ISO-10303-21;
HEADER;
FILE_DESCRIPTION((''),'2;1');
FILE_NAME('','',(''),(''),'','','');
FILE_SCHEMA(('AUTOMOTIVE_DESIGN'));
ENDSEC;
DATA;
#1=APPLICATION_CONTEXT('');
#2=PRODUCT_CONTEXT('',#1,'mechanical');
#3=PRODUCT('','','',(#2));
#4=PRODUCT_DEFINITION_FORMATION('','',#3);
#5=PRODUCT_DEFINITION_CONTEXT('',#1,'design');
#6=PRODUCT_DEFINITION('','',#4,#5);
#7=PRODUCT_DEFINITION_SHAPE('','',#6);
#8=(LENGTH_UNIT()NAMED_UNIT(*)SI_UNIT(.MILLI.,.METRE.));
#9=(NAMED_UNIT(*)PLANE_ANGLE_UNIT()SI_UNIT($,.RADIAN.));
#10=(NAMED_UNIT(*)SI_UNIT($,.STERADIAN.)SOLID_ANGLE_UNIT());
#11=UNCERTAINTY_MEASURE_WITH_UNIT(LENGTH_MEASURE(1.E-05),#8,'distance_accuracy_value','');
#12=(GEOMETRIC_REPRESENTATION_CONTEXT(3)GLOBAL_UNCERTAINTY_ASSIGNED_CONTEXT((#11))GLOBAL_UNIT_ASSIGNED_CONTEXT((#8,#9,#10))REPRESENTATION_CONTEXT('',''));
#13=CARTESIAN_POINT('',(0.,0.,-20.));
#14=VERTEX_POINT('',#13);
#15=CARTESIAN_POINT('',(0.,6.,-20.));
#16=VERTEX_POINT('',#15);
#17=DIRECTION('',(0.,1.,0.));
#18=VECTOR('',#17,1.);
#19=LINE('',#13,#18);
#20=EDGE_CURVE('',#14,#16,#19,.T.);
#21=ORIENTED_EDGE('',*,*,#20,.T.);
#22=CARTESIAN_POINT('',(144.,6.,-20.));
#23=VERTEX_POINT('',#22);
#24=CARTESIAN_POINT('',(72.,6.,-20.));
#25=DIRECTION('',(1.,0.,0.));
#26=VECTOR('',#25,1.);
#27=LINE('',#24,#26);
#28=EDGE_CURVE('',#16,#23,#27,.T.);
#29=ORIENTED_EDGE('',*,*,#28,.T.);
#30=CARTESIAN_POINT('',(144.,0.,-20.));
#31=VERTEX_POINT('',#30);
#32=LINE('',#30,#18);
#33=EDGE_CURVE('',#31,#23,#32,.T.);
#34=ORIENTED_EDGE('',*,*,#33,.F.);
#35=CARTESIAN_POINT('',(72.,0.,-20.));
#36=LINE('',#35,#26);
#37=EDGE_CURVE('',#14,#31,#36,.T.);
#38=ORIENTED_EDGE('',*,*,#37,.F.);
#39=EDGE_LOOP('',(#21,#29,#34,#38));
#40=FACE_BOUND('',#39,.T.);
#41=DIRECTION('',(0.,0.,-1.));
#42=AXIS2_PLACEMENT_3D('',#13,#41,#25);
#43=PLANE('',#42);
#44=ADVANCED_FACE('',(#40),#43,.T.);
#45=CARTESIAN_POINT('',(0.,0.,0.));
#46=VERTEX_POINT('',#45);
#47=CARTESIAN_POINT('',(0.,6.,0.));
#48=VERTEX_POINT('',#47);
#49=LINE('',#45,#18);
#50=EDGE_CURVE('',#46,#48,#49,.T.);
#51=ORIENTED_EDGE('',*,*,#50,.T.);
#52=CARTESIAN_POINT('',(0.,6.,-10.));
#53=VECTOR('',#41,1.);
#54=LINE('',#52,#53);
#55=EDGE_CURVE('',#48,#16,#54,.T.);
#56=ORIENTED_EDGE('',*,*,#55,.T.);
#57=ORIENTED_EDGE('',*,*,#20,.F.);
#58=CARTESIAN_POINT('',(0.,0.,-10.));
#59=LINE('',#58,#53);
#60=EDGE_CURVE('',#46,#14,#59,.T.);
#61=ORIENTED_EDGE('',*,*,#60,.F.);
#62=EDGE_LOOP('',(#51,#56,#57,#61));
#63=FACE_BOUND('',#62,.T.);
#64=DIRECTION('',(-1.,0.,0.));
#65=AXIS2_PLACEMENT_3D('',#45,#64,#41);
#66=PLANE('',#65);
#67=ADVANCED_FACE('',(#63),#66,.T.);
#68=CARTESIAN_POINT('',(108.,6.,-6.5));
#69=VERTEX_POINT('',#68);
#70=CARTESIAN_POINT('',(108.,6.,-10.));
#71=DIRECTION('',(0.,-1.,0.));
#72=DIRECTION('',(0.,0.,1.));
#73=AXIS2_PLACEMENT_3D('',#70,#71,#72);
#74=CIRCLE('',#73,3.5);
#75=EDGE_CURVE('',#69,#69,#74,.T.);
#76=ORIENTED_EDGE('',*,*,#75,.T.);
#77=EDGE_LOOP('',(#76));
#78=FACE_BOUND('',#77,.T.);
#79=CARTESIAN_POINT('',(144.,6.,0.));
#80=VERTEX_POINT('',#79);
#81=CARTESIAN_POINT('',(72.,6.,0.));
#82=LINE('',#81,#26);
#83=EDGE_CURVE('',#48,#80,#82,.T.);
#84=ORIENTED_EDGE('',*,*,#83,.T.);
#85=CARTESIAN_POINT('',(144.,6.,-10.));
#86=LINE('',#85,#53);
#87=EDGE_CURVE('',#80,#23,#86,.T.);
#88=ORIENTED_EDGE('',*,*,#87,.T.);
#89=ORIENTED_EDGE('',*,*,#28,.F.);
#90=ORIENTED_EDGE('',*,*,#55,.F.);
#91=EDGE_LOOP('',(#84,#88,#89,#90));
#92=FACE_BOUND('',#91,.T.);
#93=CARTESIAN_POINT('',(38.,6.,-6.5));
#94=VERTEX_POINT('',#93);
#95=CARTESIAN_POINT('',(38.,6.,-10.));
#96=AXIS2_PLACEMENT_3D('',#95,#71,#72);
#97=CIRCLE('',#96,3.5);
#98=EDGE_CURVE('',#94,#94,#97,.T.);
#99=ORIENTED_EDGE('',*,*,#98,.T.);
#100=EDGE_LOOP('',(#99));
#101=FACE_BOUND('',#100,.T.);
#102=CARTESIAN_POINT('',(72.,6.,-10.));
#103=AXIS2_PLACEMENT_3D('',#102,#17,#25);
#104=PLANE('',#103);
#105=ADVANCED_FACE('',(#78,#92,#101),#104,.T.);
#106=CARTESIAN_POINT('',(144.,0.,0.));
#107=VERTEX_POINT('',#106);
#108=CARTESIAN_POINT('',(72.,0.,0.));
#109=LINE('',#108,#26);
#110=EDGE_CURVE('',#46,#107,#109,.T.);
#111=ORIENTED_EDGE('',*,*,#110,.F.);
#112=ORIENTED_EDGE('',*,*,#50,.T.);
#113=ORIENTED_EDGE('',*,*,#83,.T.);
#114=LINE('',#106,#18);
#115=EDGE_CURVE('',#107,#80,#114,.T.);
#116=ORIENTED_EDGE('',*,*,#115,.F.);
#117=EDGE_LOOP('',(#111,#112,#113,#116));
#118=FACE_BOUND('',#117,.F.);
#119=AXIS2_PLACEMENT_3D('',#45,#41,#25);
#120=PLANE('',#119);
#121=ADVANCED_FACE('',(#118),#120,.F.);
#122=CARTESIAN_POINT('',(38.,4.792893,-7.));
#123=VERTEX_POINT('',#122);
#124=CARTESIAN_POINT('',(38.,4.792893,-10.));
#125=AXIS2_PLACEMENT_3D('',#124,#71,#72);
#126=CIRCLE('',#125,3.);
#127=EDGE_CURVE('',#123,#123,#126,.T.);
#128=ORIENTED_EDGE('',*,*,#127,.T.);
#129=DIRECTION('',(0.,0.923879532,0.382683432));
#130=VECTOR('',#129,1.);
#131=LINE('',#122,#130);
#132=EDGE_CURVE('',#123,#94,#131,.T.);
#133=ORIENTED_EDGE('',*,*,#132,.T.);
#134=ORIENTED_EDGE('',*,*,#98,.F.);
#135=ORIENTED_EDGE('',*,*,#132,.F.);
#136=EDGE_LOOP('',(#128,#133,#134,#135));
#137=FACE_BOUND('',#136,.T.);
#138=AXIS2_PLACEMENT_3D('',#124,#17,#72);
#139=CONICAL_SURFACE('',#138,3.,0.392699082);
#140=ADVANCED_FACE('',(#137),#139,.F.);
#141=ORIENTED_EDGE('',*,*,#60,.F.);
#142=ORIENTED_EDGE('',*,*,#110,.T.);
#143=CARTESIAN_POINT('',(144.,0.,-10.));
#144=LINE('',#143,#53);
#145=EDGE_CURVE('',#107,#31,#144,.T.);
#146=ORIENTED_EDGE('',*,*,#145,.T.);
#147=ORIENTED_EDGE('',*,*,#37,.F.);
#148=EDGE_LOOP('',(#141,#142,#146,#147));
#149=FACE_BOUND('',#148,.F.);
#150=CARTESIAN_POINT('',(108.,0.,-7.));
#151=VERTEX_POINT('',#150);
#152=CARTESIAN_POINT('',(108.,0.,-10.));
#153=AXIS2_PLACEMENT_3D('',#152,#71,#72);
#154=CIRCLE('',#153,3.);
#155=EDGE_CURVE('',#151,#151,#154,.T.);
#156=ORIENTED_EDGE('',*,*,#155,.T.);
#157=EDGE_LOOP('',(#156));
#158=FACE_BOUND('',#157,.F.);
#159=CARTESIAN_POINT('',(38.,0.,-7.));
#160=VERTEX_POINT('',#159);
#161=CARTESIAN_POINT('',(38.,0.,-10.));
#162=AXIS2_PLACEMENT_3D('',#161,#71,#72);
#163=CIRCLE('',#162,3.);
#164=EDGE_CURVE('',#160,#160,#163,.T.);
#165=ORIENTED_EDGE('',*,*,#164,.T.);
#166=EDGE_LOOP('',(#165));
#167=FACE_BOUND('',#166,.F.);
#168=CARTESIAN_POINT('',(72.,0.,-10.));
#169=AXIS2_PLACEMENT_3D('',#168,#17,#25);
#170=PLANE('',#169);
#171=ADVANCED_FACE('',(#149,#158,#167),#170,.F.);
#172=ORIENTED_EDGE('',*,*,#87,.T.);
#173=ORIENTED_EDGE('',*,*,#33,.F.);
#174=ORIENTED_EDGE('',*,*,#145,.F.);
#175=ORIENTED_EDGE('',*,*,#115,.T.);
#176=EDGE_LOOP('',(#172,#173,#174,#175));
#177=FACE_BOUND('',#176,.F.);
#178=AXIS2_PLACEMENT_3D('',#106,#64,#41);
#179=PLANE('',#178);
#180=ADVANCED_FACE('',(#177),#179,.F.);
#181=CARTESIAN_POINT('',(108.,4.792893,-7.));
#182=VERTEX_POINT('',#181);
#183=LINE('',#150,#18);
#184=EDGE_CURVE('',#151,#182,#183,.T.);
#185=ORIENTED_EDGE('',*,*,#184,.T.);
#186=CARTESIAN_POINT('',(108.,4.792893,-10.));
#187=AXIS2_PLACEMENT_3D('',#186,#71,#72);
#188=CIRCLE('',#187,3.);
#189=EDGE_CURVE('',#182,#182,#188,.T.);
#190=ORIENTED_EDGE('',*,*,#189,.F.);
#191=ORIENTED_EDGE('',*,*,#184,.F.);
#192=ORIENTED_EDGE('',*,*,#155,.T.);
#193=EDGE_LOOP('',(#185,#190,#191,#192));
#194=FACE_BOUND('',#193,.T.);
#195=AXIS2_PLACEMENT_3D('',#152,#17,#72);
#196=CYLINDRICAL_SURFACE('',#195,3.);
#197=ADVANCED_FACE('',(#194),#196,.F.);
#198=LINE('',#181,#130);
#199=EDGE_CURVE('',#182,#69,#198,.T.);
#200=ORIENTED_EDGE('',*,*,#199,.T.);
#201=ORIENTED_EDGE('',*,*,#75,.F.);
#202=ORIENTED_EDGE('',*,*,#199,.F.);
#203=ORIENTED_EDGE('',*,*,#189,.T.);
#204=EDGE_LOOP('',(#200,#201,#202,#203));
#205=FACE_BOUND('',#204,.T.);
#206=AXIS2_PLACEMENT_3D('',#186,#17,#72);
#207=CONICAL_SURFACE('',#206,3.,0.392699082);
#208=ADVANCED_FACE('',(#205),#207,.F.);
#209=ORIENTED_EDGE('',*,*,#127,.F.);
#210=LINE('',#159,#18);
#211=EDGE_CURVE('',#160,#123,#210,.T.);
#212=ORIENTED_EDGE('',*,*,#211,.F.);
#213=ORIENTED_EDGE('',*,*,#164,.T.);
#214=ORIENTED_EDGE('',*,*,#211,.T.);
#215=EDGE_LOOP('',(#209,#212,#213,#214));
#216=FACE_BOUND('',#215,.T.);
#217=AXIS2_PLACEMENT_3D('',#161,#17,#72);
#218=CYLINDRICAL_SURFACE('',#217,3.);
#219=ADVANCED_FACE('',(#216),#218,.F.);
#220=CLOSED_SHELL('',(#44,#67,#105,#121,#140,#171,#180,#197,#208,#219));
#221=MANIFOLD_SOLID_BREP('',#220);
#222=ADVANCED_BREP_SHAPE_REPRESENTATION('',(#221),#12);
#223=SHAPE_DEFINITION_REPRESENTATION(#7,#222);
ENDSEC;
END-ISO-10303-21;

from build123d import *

# Parameters (mm, degrees)
SKETCH2_W                                      = 144
SKETCH2_H                                      = 20
BOSS_EXTRUDE1_DEPTH                            = 6
CSK_FOR_M2_FLAT_HEAD_MACHINE_SCREW2_AT_2_COUNT = 2
CSK_FOR_M2_FLAT_HEAD_MACHINE_SCREW2_AT_2_PITCH = 70


with BuildPart() as part:
    # Sketch2 → Boss-Extrude1 (new body)
    with BuildSketch(Plane(origin=(0, 0, 0), x_dir=(1, 0, 0), z_dir=(0, 1, 0))):
        with Locations((72, 10)):
            Rectangle(SKETCH2_W, SKETCH2_H)
    extrude(amount=BOSS_EXTRUDE1_DEPTH)

    # Sketch6 → CSK for M2 Flat Head Machine Screw2 (revolve, cut)
    with BuildSketch(Plane(origin=(38, 6, -10), x_dir=(0, 0, 1), z_dir=(1, 0, 0))):
        Polygon((0, 0), (0, 6), (3, 6), (3, 1.207106781), (3.5, 0), align=None)
    csk_for_m2_flat_head_machine_screw2 = revolve(axis=Axis((38, 12.35, -10), (0, -1, 0)), mode=Mode.SUBTRACT)

    # CSK for M2 Flat Head Machine Screw2 at 2: CSK for M2 Flat Head Machine Screw2 ×2
    with Locations(*[(i * CSK_FOR_M2_FLAT_HEAD_MACHINE_SCREW2_AT_2_PITCH, 0, 0) for i in range(1, CSK_FOR_M2_FLAT_HEAD_MACHINE_SCREW2_AT_2_COUNT)]):
        add(csk_for_m2_flat_head_machine_screw2, mode=Mode.SUBTRACT)


solid = part.part
